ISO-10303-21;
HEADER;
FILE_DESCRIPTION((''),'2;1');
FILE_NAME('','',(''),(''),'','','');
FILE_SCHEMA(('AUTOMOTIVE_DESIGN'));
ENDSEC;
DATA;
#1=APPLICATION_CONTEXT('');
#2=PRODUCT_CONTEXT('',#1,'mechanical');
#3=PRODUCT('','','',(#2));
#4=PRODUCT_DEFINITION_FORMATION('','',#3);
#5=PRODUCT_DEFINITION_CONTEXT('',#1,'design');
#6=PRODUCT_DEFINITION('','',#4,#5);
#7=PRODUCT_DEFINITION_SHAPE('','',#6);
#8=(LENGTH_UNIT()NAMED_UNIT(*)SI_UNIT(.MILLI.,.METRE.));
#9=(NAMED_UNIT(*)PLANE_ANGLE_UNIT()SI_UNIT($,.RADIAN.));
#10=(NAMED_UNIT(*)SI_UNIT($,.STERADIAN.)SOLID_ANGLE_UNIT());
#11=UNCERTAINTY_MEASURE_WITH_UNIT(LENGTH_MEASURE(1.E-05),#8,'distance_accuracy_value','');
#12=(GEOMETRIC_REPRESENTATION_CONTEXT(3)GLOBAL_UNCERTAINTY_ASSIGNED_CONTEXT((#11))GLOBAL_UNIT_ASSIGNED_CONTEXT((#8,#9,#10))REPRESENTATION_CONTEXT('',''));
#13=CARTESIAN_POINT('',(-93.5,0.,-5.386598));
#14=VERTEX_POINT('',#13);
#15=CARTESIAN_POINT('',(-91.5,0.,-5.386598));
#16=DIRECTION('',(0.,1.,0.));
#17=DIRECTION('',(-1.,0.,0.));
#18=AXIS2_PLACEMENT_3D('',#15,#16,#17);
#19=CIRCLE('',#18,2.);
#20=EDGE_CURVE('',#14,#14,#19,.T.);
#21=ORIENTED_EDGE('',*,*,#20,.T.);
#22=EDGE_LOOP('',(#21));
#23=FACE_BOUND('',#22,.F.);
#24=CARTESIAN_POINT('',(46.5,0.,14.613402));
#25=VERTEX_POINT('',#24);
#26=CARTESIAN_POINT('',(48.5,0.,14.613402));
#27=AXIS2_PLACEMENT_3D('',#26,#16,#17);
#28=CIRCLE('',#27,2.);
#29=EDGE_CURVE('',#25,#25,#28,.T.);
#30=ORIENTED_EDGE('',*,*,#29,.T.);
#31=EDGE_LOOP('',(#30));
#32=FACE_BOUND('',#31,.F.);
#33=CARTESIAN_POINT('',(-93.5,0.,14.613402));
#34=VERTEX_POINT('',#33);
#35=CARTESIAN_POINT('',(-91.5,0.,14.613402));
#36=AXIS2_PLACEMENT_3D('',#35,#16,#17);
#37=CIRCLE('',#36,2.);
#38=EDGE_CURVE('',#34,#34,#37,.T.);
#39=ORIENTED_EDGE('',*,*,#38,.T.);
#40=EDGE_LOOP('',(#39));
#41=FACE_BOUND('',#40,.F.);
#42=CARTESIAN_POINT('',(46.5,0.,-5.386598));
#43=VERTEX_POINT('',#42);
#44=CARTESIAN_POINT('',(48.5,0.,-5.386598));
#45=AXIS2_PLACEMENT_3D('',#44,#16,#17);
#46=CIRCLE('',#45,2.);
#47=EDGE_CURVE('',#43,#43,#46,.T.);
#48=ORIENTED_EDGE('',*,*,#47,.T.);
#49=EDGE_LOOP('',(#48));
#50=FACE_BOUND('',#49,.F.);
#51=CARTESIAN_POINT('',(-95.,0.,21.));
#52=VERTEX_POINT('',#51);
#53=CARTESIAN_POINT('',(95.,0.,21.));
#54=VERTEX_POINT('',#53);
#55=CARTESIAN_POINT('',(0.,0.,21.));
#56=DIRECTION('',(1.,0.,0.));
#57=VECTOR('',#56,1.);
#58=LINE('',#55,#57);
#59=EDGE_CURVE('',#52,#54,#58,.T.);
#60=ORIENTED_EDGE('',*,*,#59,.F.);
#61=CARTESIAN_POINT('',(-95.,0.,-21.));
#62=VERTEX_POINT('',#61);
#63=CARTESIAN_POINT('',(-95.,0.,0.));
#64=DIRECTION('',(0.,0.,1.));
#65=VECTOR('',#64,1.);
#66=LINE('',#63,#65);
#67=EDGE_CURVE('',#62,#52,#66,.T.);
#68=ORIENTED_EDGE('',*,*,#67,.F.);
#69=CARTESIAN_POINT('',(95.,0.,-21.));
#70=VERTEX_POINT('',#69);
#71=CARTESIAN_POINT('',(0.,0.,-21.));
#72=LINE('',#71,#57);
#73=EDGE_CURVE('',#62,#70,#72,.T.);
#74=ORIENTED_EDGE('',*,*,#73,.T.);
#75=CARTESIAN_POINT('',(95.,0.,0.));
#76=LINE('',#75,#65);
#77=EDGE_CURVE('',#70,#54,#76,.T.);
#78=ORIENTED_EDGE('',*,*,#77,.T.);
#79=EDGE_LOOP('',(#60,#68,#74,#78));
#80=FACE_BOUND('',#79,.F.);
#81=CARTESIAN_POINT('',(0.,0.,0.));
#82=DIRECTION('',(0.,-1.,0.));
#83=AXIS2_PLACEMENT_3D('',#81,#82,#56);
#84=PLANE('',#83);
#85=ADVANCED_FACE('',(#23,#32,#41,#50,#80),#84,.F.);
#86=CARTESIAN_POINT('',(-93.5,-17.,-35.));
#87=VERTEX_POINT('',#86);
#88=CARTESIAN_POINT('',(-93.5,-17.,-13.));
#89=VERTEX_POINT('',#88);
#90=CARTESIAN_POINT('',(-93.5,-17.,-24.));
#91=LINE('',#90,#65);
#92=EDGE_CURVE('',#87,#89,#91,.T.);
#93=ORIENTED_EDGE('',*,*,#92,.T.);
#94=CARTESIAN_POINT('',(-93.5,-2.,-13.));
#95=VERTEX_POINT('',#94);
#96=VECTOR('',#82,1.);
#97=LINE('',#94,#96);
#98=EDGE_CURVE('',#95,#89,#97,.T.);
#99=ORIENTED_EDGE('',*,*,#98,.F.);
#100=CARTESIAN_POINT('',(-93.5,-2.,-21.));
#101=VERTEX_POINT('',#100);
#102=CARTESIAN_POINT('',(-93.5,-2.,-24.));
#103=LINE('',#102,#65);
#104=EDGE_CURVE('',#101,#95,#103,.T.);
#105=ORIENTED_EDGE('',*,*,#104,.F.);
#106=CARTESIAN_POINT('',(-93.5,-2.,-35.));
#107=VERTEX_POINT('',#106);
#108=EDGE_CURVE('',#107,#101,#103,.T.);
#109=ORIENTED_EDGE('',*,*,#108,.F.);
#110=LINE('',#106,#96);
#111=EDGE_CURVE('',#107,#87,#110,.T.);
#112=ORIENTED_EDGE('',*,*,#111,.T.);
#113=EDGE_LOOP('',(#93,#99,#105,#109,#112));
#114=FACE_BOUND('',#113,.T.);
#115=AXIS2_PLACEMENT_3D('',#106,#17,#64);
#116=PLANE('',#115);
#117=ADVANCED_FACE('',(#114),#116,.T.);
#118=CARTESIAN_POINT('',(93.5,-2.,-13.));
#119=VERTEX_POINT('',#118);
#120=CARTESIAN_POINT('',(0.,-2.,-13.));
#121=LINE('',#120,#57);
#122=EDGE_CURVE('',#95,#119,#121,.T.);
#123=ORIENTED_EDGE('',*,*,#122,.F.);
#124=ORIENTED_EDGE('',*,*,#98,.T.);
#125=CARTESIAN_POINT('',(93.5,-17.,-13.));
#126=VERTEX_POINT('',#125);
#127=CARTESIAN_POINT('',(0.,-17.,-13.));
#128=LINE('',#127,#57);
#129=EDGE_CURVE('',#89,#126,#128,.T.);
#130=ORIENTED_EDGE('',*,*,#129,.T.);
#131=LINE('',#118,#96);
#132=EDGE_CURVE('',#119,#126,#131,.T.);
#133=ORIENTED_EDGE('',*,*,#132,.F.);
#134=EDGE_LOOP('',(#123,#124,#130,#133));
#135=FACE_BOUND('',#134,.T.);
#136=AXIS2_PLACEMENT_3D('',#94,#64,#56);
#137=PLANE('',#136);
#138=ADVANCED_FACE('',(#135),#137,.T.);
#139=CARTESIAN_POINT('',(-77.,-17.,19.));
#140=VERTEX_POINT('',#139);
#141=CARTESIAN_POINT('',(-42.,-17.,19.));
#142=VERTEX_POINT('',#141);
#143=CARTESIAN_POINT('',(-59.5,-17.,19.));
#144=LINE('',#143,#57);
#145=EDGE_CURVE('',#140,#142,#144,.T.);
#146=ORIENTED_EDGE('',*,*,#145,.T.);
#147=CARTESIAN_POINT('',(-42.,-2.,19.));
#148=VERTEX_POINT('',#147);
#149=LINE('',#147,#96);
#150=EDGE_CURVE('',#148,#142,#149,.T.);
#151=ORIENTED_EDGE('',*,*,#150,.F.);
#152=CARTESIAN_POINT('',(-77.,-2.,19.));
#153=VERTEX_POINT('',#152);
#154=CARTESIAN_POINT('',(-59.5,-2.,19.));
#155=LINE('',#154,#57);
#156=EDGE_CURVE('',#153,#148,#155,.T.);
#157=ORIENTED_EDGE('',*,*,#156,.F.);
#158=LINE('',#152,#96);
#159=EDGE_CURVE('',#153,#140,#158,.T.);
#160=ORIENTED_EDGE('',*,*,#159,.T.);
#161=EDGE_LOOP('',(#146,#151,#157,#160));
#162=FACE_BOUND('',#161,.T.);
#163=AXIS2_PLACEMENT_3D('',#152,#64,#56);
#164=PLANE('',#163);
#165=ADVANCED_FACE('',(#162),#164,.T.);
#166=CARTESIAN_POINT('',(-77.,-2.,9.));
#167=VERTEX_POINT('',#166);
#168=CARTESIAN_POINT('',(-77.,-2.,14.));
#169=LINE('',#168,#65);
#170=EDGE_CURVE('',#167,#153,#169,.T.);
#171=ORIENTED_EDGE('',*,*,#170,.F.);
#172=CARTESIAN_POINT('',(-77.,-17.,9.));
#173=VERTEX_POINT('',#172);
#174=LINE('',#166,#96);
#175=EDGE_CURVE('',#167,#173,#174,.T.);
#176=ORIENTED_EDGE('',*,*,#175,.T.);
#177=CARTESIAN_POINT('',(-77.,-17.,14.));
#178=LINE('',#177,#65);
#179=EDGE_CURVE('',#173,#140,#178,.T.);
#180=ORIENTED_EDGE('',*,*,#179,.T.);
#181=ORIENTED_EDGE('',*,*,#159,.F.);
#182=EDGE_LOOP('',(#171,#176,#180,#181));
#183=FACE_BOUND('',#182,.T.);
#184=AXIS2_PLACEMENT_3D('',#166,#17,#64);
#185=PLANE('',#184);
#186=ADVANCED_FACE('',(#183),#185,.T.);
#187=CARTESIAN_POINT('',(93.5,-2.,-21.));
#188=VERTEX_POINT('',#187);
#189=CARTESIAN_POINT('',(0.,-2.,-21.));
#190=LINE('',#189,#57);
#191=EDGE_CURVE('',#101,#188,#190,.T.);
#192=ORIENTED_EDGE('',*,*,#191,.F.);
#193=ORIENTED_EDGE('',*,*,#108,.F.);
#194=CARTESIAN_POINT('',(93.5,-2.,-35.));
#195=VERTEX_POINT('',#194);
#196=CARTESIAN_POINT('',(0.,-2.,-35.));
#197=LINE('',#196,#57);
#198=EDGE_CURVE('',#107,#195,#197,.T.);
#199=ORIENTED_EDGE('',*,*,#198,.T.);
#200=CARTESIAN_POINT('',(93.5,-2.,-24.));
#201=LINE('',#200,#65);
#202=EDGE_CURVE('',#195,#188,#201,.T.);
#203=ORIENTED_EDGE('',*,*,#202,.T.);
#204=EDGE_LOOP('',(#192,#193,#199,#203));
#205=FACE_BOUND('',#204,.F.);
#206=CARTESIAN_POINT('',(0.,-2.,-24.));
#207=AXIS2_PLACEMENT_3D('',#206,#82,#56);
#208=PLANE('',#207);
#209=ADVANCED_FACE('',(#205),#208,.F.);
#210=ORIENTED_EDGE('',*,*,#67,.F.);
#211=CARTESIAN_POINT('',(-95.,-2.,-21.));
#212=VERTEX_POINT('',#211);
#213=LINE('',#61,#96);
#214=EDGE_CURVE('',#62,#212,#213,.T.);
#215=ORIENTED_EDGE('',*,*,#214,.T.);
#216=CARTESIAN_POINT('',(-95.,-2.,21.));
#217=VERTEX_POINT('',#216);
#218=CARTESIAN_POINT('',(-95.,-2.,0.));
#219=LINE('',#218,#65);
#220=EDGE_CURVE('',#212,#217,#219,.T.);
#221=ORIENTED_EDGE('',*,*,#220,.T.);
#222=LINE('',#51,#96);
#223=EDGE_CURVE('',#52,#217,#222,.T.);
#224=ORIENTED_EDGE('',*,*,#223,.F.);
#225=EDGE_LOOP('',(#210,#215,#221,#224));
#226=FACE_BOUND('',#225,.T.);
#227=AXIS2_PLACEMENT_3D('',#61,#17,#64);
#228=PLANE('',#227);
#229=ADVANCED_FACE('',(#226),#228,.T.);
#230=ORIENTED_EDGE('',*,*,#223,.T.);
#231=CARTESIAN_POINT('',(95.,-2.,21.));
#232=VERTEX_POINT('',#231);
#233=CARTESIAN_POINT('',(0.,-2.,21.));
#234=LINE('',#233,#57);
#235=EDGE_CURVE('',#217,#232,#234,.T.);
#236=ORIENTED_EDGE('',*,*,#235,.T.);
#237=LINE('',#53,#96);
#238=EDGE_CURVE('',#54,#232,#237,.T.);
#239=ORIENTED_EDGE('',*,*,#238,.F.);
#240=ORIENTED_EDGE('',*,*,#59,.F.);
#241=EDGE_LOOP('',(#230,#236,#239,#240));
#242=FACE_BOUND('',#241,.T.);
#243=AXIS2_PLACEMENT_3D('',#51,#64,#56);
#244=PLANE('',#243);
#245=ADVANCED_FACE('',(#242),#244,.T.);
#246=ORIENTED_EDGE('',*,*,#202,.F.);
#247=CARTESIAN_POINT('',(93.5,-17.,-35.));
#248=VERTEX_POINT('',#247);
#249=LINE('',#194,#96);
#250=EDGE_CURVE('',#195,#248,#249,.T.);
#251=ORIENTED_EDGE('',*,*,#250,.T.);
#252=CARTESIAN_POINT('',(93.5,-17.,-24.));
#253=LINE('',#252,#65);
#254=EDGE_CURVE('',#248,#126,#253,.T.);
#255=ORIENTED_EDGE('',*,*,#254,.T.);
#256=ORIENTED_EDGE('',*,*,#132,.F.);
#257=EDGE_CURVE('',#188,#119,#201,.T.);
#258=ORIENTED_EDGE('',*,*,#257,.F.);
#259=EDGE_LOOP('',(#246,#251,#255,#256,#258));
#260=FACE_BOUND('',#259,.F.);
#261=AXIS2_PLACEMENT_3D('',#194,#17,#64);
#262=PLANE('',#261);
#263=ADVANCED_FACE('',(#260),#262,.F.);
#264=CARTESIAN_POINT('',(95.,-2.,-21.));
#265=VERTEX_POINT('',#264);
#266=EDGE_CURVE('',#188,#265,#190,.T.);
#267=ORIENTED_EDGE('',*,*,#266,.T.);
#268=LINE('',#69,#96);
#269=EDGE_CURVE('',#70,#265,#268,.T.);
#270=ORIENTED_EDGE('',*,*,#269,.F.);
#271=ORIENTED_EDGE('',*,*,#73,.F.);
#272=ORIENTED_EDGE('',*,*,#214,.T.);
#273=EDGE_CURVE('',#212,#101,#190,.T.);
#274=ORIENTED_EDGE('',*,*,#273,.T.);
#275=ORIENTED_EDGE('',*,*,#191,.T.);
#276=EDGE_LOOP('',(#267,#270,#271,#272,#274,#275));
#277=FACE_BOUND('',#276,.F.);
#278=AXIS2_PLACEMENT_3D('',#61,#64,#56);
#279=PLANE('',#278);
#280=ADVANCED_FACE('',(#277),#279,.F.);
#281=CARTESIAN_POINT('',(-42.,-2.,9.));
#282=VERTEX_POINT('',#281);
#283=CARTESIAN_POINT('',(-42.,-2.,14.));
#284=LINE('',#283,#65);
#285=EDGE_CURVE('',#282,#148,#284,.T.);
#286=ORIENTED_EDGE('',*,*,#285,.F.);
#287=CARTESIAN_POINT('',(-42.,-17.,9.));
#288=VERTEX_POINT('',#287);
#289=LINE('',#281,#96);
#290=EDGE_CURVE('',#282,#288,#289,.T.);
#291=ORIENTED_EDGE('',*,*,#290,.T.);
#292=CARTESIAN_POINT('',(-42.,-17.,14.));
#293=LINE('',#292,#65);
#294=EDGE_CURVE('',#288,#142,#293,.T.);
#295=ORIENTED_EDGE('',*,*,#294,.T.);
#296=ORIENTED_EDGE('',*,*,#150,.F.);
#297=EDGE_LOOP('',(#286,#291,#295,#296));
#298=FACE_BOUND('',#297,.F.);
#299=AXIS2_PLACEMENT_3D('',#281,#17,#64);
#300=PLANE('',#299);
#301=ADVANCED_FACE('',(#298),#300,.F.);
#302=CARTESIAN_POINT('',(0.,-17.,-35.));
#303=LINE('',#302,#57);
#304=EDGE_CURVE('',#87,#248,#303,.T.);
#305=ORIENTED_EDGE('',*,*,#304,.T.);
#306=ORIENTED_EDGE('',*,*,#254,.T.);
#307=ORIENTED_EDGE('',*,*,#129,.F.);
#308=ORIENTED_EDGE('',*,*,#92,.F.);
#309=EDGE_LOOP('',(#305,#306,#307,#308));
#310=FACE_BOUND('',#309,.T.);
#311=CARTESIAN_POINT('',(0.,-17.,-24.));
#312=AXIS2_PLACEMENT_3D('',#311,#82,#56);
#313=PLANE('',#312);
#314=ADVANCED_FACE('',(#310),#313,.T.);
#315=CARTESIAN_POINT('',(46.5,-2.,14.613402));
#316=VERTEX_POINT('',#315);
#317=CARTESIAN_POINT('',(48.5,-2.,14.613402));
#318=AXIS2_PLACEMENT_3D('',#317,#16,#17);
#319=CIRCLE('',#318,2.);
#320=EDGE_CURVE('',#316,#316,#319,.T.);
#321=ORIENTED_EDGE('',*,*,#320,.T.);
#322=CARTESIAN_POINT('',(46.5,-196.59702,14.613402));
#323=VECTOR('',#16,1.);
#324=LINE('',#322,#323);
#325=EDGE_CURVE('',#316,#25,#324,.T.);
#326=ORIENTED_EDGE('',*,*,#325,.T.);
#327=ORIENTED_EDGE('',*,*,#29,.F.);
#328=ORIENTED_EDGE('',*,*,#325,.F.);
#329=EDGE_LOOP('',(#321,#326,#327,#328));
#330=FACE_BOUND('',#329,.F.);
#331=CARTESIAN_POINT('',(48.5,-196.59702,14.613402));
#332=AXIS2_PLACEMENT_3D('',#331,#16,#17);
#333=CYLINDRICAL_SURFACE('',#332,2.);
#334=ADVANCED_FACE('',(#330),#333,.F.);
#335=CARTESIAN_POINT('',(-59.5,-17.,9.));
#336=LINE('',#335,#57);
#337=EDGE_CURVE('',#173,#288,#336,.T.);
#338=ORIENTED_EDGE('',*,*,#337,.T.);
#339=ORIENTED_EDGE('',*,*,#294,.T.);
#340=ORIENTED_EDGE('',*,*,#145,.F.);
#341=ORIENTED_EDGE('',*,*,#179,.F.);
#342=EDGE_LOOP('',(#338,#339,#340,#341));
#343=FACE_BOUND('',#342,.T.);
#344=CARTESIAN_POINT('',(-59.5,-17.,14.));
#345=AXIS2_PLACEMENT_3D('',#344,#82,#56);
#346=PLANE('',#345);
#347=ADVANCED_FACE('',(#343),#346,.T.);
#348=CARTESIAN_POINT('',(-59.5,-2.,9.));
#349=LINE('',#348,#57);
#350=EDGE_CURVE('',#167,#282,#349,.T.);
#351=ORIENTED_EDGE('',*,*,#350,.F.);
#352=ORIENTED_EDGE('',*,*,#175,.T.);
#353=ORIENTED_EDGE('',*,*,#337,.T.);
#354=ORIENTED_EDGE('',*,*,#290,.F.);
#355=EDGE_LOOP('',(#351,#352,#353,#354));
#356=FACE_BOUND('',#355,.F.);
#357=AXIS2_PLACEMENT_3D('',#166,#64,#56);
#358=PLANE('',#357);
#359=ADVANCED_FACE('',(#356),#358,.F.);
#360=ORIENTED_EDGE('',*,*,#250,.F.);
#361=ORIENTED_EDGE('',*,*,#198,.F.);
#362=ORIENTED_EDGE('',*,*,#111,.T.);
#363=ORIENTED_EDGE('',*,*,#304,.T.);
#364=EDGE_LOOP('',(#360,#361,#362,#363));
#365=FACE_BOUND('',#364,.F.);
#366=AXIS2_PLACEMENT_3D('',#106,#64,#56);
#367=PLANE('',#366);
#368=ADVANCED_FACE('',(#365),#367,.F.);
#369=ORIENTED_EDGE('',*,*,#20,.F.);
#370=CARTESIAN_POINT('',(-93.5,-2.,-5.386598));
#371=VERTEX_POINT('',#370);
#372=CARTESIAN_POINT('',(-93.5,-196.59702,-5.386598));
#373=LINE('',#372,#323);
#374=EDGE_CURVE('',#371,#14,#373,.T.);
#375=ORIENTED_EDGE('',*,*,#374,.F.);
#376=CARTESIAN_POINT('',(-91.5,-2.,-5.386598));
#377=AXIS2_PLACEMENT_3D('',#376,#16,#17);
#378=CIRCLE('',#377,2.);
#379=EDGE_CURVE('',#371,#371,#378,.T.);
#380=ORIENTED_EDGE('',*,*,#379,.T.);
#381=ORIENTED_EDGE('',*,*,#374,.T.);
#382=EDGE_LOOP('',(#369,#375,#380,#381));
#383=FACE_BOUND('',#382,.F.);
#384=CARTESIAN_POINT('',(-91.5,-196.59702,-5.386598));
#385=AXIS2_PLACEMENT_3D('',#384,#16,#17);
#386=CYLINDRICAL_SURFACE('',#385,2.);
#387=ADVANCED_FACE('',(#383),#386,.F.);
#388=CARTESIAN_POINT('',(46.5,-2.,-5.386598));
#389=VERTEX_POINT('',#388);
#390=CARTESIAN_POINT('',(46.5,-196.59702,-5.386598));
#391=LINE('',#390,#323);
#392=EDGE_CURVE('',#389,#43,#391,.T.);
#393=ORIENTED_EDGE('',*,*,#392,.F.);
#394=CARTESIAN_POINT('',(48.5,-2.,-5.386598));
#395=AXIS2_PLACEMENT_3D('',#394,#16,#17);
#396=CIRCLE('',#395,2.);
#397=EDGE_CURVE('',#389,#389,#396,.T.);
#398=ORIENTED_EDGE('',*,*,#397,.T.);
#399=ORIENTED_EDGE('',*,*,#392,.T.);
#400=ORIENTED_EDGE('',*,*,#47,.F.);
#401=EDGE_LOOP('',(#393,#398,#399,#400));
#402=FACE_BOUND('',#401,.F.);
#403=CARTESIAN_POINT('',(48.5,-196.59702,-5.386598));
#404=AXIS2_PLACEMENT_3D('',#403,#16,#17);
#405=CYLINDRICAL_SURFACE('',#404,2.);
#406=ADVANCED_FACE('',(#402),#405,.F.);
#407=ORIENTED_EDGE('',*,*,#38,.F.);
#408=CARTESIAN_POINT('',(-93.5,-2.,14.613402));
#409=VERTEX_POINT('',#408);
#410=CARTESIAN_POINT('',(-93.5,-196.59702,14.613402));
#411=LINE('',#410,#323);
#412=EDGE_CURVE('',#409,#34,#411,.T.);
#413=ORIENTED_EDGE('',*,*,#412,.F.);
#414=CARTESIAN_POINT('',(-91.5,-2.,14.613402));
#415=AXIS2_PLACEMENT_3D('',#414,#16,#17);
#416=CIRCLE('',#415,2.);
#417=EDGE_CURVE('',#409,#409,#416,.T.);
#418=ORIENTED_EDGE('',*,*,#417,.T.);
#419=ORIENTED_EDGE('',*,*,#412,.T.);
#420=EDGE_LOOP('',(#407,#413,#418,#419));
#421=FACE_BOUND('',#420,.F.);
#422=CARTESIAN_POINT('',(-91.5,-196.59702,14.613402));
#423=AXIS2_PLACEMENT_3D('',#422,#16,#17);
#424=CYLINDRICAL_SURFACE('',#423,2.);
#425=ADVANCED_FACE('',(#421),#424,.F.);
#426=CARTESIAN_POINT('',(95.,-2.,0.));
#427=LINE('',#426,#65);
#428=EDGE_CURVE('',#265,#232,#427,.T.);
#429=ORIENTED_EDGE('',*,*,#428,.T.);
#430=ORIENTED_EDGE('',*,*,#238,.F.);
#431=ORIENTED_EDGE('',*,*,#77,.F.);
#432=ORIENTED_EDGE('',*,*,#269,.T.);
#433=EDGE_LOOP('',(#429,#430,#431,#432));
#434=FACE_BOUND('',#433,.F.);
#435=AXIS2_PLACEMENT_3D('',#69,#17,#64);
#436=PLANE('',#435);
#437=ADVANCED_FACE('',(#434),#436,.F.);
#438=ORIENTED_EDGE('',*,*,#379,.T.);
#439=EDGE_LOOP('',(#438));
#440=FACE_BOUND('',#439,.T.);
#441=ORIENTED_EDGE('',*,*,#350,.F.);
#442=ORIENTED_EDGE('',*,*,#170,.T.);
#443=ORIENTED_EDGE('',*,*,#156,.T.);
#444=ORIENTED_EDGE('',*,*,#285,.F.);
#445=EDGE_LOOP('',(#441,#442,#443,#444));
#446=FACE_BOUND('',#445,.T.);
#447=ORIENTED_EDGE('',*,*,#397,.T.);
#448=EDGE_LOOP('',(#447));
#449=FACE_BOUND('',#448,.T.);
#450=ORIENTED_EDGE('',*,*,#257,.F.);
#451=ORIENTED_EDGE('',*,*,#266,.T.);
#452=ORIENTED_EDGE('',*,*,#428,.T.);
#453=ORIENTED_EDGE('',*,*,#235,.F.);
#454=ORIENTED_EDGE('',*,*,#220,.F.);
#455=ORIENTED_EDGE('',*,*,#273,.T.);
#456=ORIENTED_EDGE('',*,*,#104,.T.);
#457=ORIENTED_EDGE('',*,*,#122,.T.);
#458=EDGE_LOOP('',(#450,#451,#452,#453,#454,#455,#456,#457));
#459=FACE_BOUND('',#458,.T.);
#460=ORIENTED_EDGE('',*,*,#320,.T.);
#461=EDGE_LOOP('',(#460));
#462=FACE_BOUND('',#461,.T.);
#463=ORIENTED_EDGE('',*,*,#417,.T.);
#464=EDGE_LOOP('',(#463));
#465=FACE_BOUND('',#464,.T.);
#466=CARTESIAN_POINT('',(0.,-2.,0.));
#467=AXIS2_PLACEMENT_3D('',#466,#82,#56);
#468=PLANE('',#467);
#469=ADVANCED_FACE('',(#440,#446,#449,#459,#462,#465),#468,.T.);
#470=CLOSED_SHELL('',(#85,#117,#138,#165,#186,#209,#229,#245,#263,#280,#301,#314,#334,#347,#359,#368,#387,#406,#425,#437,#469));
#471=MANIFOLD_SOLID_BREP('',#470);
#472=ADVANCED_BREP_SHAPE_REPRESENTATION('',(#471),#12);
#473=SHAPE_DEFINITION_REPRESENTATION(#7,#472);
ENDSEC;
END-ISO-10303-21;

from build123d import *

# Parameters (mm, degrees)
F0_W     = 190
F0_H     = 42
F1_DEPTH = 2
F3_D     = 4
F4_W     = 35
F4_H     = 10
F4_W_2   = 187
F4_H_2   = 22
F5_DEPTH = 15


with BuildPart() as f1:
    # F0 (on Front) → F1 (new body)
    with BuildSketch(Plane.XZ):
        Rectangle(F0_W, F0_H)
    extrude(amount=F1_DEPTH)

    # F3 (through all)
    with Locations(Plane.XZ.offset(2)):
        with Locations((-91.5, 14.6134020761), (-91.5, -5.3865979239), (48.5, 14.6134020761), (48.5, -5.3865979239)):
            Hole(F3_D / 2)

    # F4 (on face) → F5 (join)
    with BuildSketch(Plane.XZ.offset(2)):
        with Locations((-59.5, 14)):
            Rectangle(F4_W, F4_H)
        with Locations((0, -24)):
            Rectangle(F4_W_2, F4_H_2)
    extrude(amount=F5_DEPTH)


solid = f1.part
